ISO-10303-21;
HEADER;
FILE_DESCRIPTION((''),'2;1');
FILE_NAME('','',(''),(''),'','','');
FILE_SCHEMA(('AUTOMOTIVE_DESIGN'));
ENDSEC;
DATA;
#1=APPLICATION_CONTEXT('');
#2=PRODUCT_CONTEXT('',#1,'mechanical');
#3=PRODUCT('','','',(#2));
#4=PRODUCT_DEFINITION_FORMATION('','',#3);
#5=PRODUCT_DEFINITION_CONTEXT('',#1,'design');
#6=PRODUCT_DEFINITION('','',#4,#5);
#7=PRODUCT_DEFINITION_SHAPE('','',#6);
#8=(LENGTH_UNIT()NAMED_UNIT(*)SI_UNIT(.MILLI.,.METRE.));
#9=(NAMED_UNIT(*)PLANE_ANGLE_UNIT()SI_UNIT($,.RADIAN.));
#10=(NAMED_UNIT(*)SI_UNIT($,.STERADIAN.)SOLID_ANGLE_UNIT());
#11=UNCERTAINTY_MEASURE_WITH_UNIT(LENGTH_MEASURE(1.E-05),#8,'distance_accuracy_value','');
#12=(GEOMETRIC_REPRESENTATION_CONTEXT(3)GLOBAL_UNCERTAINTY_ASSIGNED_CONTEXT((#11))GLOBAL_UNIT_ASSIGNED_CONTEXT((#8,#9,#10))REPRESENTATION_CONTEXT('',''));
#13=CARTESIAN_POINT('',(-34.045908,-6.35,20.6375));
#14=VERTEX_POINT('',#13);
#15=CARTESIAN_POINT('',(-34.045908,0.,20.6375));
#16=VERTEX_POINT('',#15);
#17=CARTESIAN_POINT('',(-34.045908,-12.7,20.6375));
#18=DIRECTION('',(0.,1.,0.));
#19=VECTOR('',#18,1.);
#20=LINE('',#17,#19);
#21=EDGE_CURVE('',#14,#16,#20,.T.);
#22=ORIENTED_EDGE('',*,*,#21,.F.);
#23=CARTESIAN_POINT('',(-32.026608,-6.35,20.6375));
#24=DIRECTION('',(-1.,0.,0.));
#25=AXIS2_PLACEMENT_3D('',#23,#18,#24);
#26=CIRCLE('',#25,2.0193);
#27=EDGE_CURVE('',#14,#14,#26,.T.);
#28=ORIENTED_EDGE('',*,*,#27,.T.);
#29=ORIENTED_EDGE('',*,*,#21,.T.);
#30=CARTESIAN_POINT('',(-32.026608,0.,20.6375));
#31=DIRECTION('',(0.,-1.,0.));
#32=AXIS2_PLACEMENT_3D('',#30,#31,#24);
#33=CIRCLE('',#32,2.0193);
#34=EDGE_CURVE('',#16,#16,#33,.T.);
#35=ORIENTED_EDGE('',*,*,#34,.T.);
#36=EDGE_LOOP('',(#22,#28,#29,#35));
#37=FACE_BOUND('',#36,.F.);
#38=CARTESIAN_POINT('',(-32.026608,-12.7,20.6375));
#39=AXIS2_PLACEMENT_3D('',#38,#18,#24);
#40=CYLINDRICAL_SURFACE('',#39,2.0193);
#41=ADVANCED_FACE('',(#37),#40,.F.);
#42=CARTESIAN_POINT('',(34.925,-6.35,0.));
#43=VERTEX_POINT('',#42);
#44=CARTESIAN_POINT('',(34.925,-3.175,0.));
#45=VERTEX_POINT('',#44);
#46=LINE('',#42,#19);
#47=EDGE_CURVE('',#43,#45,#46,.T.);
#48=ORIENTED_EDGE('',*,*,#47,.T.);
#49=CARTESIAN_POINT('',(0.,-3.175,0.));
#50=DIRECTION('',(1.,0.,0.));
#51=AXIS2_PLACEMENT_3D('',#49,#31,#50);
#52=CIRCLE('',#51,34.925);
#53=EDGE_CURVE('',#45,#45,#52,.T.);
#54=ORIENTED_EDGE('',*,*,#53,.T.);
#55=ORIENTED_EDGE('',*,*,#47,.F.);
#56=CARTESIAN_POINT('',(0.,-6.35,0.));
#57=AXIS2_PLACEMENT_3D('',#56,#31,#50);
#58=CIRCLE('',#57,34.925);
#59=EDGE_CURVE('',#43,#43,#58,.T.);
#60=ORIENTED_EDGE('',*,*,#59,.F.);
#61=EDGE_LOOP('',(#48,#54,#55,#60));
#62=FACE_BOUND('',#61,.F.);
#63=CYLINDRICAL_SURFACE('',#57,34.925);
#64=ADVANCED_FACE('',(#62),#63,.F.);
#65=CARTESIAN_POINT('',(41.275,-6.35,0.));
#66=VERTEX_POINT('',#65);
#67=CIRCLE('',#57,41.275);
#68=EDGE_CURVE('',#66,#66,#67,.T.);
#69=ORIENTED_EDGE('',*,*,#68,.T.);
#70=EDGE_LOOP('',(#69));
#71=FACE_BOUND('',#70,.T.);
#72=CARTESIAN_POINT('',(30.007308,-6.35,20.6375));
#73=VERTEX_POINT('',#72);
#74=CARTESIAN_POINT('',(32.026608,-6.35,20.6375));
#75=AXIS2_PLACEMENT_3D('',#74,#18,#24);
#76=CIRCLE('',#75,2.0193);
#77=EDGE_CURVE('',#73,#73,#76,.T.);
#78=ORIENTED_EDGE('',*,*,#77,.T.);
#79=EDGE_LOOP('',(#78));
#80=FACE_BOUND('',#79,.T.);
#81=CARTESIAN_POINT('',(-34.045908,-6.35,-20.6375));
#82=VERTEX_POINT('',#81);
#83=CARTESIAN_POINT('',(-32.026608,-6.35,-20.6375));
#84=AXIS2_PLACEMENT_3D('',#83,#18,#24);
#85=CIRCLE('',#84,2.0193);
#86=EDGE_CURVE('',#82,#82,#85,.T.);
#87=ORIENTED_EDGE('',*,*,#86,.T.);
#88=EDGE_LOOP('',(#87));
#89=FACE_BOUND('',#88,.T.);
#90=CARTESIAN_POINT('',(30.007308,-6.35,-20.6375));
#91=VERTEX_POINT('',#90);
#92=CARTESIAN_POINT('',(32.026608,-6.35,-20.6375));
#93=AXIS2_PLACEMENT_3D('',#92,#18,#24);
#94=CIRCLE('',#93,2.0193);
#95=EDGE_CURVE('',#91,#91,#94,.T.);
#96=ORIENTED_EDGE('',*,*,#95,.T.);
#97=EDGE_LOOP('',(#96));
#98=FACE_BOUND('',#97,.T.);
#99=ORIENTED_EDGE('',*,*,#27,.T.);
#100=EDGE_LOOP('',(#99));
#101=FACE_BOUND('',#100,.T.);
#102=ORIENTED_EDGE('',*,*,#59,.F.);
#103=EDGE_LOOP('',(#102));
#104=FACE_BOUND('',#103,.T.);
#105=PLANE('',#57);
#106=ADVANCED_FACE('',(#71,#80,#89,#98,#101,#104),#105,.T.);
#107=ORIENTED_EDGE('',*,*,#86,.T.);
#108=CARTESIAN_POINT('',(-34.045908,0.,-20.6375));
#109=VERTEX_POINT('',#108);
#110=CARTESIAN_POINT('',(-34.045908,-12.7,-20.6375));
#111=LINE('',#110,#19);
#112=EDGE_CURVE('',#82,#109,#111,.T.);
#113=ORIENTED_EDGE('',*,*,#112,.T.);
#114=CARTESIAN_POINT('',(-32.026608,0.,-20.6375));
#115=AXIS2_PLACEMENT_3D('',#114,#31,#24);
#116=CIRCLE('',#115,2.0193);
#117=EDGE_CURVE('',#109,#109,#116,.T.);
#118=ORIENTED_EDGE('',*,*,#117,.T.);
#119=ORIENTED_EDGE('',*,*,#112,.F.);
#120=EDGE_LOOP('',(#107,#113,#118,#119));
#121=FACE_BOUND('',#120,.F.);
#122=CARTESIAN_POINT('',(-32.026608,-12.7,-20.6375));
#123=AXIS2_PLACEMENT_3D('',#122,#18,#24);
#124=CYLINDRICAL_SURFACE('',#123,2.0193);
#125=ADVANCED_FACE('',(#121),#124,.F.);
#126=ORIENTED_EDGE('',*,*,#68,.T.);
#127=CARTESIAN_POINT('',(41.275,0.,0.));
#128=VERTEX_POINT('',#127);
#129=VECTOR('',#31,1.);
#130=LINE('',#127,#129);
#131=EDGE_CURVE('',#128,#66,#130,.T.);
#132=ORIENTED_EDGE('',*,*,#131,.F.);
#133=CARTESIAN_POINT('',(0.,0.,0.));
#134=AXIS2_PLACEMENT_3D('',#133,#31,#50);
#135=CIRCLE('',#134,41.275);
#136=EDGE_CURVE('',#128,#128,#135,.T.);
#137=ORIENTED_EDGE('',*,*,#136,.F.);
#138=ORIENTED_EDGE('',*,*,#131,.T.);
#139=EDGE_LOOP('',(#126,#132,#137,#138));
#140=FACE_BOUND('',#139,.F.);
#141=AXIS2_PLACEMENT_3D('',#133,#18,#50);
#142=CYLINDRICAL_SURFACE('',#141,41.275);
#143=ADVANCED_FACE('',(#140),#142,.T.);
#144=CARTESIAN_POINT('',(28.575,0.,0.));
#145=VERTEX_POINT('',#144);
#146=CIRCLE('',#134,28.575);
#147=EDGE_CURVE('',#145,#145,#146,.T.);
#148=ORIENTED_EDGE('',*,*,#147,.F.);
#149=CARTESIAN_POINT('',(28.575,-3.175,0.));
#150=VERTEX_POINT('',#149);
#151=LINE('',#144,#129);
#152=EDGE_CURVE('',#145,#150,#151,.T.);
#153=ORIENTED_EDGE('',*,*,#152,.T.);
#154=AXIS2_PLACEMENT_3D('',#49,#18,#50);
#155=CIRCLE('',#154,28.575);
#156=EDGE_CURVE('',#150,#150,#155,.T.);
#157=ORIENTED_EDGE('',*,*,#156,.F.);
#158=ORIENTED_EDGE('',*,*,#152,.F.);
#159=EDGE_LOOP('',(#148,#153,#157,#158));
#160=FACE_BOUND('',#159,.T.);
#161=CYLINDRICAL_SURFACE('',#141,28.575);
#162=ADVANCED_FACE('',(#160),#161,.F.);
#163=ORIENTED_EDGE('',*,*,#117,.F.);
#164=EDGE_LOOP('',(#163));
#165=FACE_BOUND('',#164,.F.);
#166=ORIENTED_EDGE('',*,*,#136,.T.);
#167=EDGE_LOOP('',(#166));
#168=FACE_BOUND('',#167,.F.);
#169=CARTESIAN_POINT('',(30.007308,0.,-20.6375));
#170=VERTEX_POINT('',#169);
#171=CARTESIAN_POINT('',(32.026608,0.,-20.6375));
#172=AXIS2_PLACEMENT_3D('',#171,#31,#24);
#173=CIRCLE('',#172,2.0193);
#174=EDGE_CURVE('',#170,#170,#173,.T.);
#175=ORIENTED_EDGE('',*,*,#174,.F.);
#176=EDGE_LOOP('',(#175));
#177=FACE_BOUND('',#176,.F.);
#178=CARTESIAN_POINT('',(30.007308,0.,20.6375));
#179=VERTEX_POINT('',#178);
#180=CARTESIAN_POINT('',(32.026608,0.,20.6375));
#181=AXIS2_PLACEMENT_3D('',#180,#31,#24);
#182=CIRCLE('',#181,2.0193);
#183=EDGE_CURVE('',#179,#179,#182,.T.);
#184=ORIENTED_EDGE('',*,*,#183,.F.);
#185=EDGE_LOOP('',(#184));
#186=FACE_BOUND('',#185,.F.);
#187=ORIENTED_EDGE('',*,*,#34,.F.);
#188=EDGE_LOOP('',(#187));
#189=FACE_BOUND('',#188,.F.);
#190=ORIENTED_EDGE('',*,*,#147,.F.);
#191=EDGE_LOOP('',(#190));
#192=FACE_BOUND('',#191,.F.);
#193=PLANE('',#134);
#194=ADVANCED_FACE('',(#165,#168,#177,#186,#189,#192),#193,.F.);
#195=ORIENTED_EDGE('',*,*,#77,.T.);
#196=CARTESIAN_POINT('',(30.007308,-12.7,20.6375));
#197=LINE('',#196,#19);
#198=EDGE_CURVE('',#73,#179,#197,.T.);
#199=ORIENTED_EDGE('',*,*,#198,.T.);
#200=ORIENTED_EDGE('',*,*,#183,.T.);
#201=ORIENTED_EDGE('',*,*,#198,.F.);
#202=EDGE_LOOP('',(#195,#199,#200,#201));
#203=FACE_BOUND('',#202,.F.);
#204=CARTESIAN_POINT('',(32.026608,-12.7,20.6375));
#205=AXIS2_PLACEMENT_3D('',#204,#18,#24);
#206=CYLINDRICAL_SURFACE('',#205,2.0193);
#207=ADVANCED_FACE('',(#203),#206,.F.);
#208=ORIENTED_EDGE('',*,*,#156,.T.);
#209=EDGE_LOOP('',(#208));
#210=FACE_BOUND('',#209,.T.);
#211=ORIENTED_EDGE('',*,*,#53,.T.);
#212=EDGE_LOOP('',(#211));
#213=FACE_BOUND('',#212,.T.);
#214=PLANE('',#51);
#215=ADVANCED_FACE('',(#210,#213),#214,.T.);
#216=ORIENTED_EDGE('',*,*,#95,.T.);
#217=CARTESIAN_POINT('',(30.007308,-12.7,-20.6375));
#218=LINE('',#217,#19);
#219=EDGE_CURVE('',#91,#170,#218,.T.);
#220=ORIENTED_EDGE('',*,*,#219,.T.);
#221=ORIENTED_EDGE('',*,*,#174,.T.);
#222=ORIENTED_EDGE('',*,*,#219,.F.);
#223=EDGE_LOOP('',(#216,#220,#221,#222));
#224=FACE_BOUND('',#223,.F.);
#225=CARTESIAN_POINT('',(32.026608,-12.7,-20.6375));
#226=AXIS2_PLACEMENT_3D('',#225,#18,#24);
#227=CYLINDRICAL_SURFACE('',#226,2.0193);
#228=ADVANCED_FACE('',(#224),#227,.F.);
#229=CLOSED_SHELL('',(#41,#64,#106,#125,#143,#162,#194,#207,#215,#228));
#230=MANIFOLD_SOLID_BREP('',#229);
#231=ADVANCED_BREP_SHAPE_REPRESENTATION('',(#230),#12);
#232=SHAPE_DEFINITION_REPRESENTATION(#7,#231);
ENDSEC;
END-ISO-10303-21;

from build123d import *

# Parameters (mm, degrees)
F0_R     = 41.275
F0_R_2   = 28.575
F1_DEPTH = 6.35
F2_R     = 34.925
F3_DEPTH = 3.175
F5_D     = 4.0386
F5_DEPTH = 6.35
F5_TIP   = 1.213317848


with BuildPart() as f1:
    # F0 (on Front) → F1 (new body)
    with BuildSketch(Plane.XZ):
        Circle(F0_R)
        Circle(F0_R_2, mode=Mode.SUBTRACT)
    extrude(amount=F1_DEPTH)

    # F2 (on face) → F3 (cut)
    with BuildSketch(Plane.XZ.offset(6.35)):
        Circle(F2_R)
    extrude(amount=-F3_DEPTH, mode=Mode.SUBTRACT)

    # F5
    with Locations(Plane.XZ.offset(6.35)):
        with Locations((-32.0266075904, 20.6375), (32.0266075904, 20.6375), (32.0266075904, -20.6375), (-32.0266075904, -20.6375)):
            Hole(F5_D / 2, depth=F5_DEPTH)
            with Locations((0, 0, -(F5_DEPTH + F5_TIP / 2))):  # 118° drill point
                Cone(0, F5_D / 2, F5_TIP, mode=Mode.SUBTRACT)


solid = f1.part
